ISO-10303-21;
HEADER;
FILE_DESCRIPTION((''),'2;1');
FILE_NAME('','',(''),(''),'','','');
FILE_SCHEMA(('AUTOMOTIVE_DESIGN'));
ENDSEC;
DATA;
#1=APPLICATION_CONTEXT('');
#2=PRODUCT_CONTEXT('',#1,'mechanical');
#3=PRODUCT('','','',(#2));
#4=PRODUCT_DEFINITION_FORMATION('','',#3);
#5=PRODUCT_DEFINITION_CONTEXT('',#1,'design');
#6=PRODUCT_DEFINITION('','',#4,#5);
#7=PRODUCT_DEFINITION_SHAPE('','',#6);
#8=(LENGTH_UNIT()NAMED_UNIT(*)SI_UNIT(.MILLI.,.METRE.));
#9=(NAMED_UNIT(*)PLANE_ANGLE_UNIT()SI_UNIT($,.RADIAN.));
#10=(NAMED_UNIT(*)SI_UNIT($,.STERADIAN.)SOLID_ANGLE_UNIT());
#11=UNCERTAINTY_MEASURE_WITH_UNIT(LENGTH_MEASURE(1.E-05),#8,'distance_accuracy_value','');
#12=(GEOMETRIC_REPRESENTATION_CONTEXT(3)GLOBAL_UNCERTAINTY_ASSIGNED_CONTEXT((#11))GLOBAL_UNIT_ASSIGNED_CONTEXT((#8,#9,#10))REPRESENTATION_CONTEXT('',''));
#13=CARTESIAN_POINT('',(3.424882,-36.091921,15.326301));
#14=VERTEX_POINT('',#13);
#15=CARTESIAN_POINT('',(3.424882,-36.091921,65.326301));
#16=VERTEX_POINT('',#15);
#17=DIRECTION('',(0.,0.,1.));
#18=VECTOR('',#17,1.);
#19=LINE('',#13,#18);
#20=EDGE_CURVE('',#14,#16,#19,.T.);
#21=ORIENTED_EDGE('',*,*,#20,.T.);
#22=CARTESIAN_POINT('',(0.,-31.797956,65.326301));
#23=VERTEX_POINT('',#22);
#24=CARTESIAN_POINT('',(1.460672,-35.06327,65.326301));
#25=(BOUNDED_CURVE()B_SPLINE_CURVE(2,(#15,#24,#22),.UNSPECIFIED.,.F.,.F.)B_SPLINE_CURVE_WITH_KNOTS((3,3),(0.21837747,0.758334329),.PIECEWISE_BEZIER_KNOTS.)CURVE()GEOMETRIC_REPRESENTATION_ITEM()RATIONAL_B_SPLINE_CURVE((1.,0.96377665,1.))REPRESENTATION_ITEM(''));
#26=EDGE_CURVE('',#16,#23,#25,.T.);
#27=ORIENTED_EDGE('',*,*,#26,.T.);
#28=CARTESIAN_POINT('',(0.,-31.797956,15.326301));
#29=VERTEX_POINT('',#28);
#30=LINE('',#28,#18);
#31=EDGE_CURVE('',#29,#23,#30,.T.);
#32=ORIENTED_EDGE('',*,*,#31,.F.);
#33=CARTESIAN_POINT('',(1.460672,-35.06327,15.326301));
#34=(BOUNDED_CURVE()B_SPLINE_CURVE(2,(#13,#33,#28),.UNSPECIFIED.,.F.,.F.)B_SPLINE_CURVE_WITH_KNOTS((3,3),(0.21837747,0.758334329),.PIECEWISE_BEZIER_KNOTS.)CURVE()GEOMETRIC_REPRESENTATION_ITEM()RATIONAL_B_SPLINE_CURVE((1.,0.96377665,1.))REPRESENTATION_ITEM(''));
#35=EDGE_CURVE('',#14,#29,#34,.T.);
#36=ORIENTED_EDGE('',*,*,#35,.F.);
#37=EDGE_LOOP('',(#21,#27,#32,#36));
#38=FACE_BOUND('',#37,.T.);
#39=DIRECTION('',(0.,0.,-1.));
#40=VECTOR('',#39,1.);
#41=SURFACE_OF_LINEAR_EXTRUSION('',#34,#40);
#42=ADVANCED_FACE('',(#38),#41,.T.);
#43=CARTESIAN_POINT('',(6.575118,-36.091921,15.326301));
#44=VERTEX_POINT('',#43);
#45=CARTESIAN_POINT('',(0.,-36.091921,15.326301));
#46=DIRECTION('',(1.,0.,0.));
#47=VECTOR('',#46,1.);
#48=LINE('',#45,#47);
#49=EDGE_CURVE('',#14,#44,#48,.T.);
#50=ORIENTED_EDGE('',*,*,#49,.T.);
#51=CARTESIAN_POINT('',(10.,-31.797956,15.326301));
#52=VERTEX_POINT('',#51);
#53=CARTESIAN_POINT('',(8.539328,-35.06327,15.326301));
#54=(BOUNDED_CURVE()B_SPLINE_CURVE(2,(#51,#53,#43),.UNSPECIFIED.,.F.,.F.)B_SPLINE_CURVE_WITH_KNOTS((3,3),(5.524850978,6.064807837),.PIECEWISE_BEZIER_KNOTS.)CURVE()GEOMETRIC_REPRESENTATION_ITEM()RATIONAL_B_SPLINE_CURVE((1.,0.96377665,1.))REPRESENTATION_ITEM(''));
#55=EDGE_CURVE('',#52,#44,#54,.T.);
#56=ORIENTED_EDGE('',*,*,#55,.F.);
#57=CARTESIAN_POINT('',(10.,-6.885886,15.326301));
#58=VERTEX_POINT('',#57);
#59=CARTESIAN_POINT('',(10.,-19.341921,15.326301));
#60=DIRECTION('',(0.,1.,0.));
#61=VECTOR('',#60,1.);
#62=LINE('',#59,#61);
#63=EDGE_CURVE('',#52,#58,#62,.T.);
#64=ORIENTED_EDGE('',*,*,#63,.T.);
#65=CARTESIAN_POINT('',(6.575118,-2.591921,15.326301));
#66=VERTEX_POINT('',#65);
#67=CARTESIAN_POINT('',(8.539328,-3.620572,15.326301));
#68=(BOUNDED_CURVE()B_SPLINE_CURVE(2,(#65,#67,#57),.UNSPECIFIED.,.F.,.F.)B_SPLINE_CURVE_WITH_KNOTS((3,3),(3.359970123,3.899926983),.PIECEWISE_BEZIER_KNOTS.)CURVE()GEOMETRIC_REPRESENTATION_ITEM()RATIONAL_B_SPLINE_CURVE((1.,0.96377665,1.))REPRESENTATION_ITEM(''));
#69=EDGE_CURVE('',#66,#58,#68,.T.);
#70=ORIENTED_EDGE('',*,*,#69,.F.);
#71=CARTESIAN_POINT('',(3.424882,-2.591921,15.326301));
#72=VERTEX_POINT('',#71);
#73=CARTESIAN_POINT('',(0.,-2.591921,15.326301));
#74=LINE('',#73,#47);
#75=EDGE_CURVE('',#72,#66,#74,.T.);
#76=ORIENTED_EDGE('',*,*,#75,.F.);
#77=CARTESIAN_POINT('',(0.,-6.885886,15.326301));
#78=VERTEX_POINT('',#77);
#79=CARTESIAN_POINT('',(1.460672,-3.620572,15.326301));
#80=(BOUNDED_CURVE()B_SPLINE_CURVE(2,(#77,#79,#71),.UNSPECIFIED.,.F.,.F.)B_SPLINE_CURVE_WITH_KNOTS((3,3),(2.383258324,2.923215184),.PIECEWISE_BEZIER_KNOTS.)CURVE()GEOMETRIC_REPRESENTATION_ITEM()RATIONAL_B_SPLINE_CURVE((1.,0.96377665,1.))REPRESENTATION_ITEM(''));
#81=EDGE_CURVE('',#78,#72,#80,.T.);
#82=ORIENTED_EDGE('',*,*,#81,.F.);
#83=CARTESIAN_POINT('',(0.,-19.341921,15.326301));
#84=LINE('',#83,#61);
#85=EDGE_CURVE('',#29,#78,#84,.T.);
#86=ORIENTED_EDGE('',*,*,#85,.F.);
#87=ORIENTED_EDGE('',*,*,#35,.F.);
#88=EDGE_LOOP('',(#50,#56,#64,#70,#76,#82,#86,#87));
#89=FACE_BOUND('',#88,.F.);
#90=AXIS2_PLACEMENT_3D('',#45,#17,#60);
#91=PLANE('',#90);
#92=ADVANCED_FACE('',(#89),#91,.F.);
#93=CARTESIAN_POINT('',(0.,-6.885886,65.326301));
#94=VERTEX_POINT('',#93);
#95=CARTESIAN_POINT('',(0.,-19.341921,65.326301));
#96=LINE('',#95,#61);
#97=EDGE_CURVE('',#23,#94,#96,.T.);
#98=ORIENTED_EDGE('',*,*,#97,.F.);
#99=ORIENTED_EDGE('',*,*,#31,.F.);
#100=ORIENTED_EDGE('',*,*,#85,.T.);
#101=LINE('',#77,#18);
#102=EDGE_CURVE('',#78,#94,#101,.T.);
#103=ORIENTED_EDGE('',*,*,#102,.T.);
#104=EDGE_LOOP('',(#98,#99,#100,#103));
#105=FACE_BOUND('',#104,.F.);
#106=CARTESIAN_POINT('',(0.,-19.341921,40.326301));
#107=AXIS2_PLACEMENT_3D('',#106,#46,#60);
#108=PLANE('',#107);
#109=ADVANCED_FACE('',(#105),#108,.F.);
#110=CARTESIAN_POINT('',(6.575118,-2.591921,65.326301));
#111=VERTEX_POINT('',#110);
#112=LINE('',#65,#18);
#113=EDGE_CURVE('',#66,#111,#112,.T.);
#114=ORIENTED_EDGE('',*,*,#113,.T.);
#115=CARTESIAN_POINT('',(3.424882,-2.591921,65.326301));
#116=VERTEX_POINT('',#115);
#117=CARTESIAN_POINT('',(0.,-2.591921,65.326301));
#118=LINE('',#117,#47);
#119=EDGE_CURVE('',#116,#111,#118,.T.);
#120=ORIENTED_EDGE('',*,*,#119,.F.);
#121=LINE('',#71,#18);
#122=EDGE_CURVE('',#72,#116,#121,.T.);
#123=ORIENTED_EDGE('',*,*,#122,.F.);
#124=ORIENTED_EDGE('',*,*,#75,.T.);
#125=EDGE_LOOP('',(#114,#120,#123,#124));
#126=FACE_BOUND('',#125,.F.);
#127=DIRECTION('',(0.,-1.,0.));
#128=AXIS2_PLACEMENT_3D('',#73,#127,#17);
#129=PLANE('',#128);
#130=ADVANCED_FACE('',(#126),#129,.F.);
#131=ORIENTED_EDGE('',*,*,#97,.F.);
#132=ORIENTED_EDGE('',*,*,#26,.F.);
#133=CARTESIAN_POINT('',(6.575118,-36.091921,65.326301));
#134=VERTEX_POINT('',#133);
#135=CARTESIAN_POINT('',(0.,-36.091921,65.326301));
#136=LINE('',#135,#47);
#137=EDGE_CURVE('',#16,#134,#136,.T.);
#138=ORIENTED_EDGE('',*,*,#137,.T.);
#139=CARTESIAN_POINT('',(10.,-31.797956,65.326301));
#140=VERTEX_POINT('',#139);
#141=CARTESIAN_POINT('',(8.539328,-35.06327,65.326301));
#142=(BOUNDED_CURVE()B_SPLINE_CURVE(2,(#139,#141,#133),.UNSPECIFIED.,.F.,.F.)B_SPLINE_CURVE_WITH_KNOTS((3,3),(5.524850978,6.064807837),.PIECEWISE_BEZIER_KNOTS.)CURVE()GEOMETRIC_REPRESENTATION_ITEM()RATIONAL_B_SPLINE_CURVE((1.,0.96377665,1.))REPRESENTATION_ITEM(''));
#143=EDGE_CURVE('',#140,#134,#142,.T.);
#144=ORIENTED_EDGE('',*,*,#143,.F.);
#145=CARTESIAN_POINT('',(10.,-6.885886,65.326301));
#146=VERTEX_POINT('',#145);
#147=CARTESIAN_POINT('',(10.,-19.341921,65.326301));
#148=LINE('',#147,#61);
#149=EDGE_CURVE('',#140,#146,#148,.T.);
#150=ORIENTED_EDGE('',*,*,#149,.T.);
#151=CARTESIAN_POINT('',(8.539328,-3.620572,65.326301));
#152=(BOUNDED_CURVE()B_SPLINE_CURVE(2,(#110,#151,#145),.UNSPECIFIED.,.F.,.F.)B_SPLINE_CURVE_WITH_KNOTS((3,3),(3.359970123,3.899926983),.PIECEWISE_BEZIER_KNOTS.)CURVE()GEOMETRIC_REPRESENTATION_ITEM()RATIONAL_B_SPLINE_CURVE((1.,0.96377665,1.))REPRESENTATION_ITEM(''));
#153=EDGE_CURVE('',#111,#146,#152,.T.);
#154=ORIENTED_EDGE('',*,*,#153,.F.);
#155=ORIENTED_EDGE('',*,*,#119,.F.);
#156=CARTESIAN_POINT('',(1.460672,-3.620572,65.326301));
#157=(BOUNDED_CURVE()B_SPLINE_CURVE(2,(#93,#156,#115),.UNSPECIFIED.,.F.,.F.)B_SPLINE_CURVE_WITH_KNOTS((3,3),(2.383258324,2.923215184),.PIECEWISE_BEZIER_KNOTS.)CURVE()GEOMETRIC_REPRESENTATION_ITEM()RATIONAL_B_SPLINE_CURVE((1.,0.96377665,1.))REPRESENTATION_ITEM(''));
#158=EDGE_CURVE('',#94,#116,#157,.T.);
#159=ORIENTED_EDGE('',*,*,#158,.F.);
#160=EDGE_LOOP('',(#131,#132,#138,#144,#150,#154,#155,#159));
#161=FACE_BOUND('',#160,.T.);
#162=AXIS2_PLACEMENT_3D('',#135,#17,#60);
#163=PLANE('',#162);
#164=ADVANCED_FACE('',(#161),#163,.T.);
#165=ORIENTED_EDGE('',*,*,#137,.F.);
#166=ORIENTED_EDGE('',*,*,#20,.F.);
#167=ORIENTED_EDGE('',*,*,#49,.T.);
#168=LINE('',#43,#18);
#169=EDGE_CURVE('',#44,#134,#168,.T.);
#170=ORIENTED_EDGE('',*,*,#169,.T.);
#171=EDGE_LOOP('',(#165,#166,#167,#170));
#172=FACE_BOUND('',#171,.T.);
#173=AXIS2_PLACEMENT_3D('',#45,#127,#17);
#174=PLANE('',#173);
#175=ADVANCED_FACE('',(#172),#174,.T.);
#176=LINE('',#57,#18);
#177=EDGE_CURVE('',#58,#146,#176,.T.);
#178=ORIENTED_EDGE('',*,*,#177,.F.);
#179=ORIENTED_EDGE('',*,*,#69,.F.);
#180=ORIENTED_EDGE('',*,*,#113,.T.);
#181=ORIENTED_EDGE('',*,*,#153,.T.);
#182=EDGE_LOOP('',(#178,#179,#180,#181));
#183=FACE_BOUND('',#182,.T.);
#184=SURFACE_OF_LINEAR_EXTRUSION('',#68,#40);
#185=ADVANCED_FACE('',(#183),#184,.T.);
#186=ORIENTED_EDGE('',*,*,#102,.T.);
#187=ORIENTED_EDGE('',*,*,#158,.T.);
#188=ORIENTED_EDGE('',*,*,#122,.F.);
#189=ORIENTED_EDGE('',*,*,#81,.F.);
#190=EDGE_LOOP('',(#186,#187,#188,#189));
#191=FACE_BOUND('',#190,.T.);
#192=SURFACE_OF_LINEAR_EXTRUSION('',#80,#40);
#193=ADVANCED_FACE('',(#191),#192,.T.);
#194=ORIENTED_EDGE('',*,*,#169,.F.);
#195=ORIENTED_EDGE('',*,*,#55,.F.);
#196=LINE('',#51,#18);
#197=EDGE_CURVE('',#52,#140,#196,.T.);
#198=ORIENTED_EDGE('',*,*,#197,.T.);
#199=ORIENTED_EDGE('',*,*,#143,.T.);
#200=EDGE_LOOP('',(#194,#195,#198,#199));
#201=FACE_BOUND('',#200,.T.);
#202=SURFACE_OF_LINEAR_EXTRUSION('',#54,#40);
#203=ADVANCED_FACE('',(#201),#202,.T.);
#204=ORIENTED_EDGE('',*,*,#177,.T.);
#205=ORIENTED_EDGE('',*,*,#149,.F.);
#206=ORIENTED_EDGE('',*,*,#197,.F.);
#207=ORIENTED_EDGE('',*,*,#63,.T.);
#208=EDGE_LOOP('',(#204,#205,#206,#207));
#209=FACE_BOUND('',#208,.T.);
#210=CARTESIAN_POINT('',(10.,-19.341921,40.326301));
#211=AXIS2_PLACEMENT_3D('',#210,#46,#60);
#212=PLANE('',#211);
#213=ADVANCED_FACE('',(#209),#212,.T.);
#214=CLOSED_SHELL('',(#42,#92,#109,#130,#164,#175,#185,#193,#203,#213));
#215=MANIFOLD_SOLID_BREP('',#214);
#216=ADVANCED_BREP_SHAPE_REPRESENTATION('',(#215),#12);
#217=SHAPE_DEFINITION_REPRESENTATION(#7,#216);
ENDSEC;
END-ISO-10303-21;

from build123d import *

# Parameters (mm, degrees)
F0_W     = 33.5
F0_H     = 50
F1_DEPTH = 10
F3_DEPTH = 50


with BuildPart() as f1:
    # F0 (on Right) → F1 (new body)
    with BuildSketch(Plane.YZ):
        with Locations((-19.3419211172, 40.3263012171)):
            Rectangle(F0_W, F0_H)
    extrude(amount=F1_DEPTH)

    # F2 (on face) → F3 (cut, through all)
    with BuildSketch(Plane(origin=(0, 0, 15.3263012171), x_dir=(1, 0, 0), z_dir=(0, 0, -1))):
        with BuildLine():
            add(Edge.make_bspline(
                [(3.4248817045, 36.0919211172), (1.4606722996, 35.0632699827), (0, 31.7979560777)],
                knots=[0.2183774698, 0.2183774698, 0.2183774698, 0.7583343291, 0.7583343291, 0.7583343291], degree=2, weights=[1, 0.9637766496, 1]))
            Line((3.4248817045, 36.0919211172), (0, 36.0919211172))
            Line((0, 36.0919211172), (0, 31.7979560777))
        make_face()
        with BuildLine():
            Line((0, 6.8858861567), (0, 2.5919211172))
            Line((0, 2.5919211172), (3.4248817045, 2.5919211172))
            add(Edge.make_bspline(
                [(0, 6.8858861567), (1.4606722996, 3.6205722517), (3.4248817045, 2.5919211172)],
                knots=[2.3832583245, 2.3832583245, 2.3832583245, 2.9232151838, 2.9232151838, 2.9232151838], degree=2, weights=[1, 0.9637766496, 1]))
        make_face()
        with BuildLine():
            Line((10, 31.7979560777), (10, 36.0919211172))
            Line((10, 36.0919211172), (6.5751182955, 36.0919211172))
            add(Edge.make_bspline(
                [(10, 31.7979560777), (8.5393277004, 35.0632699827), (6.5751182955, 36.0919211172)],
                knots=[5.5248509781, 5.5248509781, 5.5248509781, 6.0648078373, 6.0648078373, 6.0648078373], degree=2, weights=[1, 0.9637766496, 1]))
        make_face()
        with BuildLine():
            add(Edge.make_bspline(
                [(6.5751182955, 2.5919211172), (8.5393277004, 3.6205722517), (10, 6.8858861567)],
                knots=[3.3599701234, 3.3599701234, 3.3599701234, 3.8999269827, 3.8999269827, 3.8999269827], degree=2, weights=[1, 0.9637766496, 1]))
            Line((6.5751182955, 2.5919211172), (10, 2.5919211172))
            Line((10, 2.5919211172), (10, 6.8858861567))
        make_face()
    extrude(amount=-F3_DEPTH, mode=Mode.SUBTRACT)


solid = f1.part
